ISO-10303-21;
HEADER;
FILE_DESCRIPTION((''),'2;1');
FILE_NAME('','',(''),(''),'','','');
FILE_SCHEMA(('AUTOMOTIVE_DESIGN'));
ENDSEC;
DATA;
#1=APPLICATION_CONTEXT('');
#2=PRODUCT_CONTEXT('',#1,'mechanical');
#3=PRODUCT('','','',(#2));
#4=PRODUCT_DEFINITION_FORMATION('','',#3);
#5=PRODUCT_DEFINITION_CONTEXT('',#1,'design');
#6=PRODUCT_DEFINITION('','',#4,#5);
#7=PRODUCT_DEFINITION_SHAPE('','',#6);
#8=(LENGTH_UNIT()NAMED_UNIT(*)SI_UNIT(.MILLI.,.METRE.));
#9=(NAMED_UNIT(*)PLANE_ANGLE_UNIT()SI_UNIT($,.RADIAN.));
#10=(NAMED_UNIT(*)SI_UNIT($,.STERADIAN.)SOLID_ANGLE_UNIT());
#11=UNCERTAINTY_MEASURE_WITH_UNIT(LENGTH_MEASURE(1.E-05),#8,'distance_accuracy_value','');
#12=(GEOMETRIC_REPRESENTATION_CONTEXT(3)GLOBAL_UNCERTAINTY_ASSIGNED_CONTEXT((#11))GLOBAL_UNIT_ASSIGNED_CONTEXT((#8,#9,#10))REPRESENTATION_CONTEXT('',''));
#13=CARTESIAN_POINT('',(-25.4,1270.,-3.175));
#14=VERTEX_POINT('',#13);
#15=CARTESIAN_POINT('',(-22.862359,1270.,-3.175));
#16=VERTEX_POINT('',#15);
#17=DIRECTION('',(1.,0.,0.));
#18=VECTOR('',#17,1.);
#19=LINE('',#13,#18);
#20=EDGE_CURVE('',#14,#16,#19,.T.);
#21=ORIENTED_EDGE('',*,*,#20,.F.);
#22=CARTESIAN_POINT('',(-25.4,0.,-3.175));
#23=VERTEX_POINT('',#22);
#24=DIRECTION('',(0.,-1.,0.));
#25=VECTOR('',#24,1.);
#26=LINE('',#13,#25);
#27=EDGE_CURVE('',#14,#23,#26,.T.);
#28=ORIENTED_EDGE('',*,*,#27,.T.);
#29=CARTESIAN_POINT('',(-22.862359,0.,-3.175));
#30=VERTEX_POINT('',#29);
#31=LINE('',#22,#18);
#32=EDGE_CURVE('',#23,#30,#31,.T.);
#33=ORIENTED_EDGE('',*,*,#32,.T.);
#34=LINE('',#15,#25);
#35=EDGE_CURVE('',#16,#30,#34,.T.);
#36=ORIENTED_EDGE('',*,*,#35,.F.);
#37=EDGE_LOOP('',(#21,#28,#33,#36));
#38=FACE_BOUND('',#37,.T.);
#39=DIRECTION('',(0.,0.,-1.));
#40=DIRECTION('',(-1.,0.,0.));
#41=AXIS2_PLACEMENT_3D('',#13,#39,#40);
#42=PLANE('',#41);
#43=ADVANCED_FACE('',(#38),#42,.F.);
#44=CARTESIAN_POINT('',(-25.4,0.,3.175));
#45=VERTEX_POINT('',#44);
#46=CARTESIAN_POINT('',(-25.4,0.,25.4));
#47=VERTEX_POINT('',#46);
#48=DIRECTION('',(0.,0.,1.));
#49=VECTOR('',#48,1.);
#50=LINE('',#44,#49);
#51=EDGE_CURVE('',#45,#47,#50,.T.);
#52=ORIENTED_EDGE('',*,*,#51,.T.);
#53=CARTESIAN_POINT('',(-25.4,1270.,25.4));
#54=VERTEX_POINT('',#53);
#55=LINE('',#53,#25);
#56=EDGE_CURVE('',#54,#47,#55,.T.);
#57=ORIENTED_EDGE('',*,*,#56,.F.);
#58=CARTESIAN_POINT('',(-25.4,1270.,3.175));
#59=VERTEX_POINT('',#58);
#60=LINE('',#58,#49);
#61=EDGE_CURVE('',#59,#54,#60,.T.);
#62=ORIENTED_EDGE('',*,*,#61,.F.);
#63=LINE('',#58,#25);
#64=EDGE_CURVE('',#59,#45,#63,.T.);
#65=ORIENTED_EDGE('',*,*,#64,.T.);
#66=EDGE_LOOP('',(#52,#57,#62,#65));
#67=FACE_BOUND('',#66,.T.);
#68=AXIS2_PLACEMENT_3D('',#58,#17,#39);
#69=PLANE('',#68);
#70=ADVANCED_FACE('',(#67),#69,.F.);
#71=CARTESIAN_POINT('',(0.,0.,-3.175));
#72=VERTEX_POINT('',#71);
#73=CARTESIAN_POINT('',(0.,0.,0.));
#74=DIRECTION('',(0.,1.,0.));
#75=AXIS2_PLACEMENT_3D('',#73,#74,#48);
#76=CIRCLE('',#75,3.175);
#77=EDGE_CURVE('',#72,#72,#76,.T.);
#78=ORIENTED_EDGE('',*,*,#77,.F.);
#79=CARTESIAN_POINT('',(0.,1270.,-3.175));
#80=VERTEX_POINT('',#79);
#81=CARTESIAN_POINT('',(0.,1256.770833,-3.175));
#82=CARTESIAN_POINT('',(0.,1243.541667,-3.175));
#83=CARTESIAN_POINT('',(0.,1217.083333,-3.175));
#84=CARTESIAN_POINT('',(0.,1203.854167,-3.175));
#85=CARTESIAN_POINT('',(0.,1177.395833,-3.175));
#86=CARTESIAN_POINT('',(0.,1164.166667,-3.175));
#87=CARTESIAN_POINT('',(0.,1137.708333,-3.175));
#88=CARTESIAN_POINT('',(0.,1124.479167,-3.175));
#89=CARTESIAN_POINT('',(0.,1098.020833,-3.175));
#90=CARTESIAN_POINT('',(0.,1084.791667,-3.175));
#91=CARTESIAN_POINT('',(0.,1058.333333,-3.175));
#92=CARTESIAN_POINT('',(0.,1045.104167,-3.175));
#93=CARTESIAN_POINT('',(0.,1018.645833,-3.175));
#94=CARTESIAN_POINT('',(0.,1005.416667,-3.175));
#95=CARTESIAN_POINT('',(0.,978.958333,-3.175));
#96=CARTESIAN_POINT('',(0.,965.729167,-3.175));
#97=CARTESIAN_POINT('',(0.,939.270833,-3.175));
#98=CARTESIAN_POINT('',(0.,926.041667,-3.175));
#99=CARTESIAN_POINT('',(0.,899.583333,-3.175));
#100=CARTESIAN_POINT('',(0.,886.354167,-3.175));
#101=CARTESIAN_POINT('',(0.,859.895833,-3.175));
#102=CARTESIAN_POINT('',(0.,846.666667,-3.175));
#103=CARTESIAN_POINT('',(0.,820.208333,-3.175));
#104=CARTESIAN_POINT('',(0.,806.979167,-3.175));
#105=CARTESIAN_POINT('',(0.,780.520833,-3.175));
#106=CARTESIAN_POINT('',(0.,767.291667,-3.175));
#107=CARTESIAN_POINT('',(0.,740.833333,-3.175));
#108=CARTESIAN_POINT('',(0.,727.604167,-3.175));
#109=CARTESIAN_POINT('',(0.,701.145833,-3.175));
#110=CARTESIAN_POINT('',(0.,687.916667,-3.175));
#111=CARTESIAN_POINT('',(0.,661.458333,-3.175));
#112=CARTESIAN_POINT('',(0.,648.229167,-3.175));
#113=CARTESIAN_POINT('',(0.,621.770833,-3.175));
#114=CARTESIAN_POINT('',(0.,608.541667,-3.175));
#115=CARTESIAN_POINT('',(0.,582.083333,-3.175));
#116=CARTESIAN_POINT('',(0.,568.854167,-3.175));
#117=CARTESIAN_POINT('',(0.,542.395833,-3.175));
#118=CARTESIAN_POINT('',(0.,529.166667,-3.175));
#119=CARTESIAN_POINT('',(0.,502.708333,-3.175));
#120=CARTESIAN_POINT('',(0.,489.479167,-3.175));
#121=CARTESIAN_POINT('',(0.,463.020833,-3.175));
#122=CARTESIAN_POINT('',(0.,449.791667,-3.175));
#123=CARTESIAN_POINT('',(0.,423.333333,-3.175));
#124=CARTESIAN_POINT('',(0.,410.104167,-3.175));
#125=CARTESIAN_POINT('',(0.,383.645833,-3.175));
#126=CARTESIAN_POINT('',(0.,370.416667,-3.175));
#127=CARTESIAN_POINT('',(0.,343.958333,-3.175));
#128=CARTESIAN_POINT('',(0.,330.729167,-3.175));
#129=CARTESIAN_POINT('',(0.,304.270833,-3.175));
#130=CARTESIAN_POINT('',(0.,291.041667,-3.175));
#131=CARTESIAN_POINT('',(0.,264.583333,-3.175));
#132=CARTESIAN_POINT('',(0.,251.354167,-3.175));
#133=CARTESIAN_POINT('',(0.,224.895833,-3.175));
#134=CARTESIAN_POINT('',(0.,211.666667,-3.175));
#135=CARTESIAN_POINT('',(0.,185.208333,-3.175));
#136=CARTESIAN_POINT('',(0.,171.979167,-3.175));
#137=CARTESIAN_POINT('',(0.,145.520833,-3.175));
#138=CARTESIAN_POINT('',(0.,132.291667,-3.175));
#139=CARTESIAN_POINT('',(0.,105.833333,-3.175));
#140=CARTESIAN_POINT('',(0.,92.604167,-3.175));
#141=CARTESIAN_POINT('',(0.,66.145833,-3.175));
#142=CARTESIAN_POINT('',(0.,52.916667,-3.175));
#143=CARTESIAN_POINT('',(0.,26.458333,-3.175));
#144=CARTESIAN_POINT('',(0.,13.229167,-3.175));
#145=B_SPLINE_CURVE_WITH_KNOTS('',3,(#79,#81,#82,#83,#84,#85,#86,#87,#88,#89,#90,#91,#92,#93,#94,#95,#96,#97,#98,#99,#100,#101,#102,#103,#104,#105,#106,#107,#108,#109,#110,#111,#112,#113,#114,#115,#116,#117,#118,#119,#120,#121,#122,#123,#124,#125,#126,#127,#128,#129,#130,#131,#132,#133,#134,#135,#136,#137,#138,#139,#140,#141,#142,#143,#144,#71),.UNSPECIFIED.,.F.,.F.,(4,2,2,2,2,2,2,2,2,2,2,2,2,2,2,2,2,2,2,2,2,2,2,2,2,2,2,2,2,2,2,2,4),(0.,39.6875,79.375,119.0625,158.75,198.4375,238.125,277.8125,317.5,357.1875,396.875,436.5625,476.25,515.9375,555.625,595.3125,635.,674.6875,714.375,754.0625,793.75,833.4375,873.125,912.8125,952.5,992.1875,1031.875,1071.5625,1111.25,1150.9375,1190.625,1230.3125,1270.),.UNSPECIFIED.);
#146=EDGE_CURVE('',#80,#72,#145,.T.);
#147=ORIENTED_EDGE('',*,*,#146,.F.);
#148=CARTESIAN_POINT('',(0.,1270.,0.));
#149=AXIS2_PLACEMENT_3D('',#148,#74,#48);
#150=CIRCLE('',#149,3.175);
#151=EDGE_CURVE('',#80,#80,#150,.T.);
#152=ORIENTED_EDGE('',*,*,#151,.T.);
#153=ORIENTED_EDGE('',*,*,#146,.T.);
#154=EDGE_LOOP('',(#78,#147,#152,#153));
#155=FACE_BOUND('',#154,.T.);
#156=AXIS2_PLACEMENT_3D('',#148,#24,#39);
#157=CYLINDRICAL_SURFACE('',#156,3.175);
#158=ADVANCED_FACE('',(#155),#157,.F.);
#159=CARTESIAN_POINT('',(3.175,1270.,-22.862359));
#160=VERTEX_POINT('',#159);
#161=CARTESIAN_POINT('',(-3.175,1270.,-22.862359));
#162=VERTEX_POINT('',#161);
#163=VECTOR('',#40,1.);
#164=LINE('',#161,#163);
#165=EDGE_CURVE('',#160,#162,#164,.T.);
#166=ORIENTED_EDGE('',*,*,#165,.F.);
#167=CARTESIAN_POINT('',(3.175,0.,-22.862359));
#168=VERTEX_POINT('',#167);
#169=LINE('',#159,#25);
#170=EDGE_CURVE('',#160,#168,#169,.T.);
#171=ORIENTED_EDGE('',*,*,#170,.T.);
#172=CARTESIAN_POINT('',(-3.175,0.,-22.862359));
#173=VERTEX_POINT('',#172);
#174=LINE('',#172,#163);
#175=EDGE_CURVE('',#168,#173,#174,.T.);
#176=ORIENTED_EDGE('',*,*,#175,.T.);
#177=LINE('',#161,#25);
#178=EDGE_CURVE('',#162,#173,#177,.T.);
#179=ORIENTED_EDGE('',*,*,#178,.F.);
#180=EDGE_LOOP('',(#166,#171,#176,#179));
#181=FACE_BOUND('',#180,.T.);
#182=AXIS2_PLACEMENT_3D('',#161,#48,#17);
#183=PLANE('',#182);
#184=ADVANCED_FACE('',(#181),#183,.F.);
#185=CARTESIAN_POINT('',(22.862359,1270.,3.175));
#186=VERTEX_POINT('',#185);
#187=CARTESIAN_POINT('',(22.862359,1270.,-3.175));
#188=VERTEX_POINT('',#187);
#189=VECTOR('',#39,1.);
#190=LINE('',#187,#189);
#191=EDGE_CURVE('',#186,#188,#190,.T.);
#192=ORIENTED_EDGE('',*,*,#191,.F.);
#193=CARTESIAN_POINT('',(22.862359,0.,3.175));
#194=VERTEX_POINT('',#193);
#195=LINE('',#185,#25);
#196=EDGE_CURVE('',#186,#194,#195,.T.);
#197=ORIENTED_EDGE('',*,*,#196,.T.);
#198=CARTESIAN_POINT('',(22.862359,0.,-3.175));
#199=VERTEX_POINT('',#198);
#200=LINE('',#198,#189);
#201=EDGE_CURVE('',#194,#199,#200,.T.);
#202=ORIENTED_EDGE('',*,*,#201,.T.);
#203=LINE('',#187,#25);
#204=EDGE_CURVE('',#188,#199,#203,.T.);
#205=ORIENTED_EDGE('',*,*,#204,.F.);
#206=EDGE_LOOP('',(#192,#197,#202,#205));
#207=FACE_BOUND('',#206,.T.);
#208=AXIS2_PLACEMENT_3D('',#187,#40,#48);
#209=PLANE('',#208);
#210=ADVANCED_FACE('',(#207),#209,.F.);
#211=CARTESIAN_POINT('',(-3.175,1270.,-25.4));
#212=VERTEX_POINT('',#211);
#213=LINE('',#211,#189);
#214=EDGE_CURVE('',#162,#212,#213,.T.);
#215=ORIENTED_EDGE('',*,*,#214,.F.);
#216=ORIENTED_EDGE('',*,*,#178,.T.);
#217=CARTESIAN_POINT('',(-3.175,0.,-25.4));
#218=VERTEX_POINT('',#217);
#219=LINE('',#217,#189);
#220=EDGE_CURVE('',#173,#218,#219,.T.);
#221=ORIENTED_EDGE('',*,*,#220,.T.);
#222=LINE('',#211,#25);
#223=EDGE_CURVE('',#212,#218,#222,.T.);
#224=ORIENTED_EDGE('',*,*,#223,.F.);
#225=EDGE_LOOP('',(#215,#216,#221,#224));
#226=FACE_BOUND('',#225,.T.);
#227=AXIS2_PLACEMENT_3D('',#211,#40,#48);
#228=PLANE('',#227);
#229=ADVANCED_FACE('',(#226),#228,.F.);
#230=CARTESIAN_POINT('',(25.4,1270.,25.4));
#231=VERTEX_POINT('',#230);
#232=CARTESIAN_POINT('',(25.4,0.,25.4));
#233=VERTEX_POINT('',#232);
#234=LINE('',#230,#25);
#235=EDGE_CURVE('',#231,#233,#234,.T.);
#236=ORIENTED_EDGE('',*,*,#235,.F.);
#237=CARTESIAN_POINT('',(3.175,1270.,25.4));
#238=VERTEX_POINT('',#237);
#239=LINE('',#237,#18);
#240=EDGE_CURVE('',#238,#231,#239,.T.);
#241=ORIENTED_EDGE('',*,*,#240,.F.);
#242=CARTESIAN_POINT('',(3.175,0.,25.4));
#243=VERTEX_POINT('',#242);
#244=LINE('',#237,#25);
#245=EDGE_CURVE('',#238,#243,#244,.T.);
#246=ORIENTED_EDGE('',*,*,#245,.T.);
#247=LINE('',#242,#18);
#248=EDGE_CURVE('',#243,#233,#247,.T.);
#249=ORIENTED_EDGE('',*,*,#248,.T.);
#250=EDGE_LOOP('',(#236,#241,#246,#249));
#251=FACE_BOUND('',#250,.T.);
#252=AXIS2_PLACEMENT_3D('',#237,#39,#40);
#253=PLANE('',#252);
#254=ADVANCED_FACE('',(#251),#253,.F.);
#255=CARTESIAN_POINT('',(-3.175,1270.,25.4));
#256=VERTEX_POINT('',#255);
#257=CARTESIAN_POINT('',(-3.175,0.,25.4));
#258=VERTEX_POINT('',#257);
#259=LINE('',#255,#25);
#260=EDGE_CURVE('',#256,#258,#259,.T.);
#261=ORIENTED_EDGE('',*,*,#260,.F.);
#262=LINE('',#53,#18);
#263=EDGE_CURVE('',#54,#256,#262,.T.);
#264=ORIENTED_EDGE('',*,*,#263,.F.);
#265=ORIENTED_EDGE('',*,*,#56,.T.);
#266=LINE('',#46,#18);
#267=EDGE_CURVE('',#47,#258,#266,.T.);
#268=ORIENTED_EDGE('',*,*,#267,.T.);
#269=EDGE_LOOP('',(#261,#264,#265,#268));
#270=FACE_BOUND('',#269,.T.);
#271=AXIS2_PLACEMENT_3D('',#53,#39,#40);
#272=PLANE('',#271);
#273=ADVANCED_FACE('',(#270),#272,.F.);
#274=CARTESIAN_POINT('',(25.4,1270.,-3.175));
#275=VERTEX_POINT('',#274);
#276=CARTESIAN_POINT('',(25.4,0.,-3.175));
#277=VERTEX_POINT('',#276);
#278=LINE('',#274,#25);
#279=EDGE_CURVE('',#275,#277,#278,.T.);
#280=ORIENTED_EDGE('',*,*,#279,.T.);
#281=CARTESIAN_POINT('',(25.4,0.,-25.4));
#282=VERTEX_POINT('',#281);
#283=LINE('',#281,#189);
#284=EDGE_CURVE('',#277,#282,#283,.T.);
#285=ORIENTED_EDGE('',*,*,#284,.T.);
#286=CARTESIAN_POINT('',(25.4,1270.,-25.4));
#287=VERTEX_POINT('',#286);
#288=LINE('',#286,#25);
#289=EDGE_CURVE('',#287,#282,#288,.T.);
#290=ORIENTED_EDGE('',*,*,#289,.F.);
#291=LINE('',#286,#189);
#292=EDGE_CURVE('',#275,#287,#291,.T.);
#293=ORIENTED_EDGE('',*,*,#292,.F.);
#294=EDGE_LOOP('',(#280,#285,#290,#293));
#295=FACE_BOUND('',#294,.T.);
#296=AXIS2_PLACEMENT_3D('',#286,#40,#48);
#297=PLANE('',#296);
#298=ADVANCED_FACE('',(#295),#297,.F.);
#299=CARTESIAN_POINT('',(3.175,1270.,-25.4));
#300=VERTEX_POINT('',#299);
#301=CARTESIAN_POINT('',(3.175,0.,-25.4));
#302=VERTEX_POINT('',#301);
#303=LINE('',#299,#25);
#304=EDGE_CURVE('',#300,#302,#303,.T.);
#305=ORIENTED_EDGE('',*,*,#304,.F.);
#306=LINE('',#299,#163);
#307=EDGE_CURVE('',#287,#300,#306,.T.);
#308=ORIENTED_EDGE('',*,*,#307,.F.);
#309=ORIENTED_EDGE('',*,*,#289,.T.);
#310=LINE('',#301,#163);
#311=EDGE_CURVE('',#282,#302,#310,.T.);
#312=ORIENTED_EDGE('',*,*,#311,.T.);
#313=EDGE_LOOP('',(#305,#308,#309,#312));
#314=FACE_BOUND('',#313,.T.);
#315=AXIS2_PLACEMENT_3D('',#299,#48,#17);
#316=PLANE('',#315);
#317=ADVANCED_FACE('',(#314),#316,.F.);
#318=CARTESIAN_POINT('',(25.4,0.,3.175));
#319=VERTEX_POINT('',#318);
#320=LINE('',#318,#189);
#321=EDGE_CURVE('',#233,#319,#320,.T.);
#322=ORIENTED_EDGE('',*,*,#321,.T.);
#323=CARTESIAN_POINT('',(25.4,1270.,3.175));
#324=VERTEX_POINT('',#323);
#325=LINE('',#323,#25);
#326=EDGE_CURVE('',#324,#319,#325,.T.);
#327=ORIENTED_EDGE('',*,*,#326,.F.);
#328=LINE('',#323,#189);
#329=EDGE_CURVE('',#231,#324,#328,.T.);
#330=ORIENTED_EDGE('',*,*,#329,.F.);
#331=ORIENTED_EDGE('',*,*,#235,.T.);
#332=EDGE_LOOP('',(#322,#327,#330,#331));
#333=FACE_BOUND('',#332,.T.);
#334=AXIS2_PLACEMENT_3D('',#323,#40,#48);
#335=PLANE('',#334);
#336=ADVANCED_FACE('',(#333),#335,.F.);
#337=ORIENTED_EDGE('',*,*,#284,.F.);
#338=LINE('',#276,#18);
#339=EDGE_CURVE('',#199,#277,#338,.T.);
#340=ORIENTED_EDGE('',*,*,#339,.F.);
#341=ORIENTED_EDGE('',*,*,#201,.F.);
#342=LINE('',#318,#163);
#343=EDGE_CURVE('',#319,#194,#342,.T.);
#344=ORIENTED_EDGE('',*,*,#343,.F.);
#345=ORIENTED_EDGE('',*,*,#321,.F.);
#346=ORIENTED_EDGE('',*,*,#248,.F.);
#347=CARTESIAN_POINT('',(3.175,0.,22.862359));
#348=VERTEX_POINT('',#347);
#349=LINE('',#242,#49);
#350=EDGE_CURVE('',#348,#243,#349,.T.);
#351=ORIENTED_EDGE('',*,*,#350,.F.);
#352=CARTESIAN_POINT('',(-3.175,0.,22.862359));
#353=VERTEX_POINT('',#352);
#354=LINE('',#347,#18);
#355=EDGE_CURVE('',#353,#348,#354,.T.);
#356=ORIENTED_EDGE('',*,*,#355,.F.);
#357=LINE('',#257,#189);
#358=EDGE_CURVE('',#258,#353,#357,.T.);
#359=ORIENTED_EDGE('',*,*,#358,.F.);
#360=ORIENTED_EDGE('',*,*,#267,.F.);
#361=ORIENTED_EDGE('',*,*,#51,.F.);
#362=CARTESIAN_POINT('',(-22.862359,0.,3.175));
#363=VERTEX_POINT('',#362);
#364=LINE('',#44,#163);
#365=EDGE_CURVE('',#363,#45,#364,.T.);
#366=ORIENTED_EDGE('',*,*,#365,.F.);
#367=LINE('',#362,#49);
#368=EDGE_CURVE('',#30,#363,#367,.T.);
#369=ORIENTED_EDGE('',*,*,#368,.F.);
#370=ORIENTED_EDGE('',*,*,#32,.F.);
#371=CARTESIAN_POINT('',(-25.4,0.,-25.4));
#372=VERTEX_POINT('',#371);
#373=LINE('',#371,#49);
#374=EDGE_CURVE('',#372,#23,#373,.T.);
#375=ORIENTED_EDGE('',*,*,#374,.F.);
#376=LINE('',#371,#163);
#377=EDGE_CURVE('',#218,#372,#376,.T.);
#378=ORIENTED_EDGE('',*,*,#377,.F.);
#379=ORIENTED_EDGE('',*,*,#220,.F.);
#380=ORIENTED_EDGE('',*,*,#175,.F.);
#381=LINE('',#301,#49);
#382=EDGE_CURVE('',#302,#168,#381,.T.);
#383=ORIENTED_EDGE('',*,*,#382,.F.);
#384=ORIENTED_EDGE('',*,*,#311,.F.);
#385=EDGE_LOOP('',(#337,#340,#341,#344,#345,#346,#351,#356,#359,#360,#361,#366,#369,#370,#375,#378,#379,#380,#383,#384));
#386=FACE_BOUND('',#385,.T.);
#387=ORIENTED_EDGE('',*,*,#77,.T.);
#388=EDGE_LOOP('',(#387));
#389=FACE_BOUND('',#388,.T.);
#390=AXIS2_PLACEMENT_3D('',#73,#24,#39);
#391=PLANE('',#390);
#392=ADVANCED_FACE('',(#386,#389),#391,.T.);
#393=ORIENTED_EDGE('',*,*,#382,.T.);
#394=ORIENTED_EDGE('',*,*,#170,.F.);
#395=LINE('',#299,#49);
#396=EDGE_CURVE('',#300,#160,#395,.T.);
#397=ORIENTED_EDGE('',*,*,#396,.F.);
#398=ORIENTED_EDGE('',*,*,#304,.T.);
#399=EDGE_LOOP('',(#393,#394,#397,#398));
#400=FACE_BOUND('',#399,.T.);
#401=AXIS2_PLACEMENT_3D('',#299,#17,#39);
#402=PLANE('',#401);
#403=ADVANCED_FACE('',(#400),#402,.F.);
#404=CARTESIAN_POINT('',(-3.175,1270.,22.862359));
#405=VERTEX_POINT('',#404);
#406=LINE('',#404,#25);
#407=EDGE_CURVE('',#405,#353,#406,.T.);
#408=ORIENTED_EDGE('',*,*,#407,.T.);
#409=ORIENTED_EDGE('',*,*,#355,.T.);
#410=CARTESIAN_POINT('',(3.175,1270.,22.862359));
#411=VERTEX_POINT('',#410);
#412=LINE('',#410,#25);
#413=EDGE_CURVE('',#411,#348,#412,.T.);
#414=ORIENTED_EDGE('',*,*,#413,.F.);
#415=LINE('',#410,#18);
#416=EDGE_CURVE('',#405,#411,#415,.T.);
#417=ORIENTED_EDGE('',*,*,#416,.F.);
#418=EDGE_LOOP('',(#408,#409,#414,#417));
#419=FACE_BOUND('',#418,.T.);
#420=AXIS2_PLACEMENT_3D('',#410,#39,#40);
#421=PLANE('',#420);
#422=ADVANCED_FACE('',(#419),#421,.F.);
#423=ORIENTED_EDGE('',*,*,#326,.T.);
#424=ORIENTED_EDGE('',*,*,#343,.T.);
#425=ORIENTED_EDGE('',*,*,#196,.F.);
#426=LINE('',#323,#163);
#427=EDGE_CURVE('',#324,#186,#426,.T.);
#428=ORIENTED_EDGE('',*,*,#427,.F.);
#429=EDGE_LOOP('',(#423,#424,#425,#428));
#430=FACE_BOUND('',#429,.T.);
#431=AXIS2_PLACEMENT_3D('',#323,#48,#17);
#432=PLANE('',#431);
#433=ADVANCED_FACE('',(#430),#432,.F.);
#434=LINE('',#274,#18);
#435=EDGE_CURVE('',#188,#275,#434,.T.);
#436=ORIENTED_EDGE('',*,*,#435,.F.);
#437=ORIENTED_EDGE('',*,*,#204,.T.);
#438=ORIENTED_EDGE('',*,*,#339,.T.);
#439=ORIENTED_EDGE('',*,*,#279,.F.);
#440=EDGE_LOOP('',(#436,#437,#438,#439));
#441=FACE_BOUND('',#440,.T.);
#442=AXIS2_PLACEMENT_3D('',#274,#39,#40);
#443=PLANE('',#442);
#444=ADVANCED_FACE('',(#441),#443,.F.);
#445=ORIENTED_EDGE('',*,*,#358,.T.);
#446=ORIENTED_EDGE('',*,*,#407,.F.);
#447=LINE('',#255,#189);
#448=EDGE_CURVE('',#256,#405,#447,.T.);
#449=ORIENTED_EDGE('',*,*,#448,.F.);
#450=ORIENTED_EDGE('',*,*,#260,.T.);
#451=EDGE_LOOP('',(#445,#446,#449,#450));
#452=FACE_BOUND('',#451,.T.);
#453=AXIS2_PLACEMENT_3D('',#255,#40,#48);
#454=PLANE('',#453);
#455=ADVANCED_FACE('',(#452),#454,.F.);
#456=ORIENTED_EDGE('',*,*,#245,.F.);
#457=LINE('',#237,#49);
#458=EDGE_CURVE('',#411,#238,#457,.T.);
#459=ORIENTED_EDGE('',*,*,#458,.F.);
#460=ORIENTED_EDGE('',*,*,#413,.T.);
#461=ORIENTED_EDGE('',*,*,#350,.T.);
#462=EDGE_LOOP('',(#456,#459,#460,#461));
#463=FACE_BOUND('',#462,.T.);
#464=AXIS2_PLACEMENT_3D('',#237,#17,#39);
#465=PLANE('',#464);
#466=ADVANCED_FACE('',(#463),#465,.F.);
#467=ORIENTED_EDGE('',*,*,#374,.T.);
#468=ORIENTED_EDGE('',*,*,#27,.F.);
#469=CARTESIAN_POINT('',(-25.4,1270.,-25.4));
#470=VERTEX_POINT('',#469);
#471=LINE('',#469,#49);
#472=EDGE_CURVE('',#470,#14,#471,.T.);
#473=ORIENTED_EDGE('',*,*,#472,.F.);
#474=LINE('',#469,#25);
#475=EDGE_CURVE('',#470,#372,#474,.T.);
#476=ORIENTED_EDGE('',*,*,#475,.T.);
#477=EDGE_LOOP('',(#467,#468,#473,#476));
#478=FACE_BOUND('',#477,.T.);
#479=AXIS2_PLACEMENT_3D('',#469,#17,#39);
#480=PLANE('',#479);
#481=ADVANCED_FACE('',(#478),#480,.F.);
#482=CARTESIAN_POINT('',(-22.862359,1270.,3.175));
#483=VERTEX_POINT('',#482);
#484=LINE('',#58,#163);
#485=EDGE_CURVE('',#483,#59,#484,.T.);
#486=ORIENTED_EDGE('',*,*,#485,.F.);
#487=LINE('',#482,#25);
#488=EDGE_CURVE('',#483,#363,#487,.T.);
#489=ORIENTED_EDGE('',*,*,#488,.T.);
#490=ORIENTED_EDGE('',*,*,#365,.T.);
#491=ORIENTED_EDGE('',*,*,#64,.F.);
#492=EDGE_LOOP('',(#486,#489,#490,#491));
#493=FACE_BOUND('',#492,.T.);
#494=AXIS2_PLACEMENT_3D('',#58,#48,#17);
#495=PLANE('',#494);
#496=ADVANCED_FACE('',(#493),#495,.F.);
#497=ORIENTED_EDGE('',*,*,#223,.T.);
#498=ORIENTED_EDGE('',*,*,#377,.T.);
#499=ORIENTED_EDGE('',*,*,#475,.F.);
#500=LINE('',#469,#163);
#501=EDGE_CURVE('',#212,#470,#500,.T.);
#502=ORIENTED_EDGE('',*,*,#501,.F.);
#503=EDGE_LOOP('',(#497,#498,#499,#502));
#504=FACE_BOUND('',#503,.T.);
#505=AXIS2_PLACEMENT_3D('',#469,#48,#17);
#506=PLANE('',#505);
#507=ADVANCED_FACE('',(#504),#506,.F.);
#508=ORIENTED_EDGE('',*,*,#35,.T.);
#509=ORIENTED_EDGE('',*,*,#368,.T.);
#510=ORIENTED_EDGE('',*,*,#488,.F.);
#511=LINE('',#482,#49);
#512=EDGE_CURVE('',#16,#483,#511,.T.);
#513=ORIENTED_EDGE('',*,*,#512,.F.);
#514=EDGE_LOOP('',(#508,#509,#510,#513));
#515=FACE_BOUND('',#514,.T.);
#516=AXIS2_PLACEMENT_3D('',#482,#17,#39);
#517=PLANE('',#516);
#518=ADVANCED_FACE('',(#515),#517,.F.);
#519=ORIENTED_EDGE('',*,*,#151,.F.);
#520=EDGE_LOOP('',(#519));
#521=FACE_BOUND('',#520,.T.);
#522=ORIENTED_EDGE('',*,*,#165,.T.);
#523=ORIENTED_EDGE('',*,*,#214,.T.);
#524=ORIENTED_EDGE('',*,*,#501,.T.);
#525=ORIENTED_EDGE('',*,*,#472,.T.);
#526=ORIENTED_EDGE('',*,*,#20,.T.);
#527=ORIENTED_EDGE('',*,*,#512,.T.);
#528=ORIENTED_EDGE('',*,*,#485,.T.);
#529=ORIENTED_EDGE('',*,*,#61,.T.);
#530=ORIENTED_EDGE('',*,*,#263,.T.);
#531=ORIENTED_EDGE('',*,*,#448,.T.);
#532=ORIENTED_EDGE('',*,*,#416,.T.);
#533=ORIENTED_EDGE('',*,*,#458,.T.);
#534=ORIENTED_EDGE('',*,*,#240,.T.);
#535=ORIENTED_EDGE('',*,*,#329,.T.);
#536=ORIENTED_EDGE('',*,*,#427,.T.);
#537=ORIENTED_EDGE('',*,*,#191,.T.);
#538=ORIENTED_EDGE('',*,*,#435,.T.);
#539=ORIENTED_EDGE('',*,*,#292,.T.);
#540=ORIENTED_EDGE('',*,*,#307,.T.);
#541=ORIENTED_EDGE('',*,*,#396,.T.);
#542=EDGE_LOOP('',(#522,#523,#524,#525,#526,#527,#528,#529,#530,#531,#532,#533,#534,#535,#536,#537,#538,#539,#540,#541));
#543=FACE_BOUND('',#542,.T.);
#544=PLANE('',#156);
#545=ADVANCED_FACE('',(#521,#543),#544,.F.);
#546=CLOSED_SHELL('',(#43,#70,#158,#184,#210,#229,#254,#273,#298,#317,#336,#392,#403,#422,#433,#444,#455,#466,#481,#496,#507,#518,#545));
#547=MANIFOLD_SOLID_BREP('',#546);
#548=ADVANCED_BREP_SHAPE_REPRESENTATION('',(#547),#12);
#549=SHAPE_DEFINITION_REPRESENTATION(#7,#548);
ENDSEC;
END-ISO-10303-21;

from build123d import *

# Parameters (mm, degrees)
SKETCH1_R           = 3.175
BOSS_EXTRUDE2_DEPTH = 1270


with BuildPart() as part:
    # Sketch1 → Boss-Extrude2 (new body)
    with BuildSketch(Plane(origin=(0, 0, 0), x_dir=(1, 0, 0), z_dir=(0, 1, 0))):
        Polygon((25.4, -3.175), (22.862359133, -3.175), (22.862359133, 3.175), (25.4, 3.175), (25.4, 25.4), (3.175, 25.4), (3.175, 22.862359133), (-3.175, 22.862359133), (-3.175, 25.4), (-25.4, 25.4), (-25.4, 3.175), (-22.862359133, 3.175), (-22.862359133, -3.175), (-25.4, -3.175), (-25.4, -25.4), (-3.175, -25.4), (-3.175, -22.862359133), (3.175, -22.862359133), (3.175, -25.4), (25.4, -25.4), align=None)
        with Locations(Location((0, 0, 0), (0, 0, 90))):
            Circle(SKETCH1_R, mode=Mode.SUBTRACT)
    extrude(amount=BOSS_EXTRUDE2_DEPTH)


solid = part.part
